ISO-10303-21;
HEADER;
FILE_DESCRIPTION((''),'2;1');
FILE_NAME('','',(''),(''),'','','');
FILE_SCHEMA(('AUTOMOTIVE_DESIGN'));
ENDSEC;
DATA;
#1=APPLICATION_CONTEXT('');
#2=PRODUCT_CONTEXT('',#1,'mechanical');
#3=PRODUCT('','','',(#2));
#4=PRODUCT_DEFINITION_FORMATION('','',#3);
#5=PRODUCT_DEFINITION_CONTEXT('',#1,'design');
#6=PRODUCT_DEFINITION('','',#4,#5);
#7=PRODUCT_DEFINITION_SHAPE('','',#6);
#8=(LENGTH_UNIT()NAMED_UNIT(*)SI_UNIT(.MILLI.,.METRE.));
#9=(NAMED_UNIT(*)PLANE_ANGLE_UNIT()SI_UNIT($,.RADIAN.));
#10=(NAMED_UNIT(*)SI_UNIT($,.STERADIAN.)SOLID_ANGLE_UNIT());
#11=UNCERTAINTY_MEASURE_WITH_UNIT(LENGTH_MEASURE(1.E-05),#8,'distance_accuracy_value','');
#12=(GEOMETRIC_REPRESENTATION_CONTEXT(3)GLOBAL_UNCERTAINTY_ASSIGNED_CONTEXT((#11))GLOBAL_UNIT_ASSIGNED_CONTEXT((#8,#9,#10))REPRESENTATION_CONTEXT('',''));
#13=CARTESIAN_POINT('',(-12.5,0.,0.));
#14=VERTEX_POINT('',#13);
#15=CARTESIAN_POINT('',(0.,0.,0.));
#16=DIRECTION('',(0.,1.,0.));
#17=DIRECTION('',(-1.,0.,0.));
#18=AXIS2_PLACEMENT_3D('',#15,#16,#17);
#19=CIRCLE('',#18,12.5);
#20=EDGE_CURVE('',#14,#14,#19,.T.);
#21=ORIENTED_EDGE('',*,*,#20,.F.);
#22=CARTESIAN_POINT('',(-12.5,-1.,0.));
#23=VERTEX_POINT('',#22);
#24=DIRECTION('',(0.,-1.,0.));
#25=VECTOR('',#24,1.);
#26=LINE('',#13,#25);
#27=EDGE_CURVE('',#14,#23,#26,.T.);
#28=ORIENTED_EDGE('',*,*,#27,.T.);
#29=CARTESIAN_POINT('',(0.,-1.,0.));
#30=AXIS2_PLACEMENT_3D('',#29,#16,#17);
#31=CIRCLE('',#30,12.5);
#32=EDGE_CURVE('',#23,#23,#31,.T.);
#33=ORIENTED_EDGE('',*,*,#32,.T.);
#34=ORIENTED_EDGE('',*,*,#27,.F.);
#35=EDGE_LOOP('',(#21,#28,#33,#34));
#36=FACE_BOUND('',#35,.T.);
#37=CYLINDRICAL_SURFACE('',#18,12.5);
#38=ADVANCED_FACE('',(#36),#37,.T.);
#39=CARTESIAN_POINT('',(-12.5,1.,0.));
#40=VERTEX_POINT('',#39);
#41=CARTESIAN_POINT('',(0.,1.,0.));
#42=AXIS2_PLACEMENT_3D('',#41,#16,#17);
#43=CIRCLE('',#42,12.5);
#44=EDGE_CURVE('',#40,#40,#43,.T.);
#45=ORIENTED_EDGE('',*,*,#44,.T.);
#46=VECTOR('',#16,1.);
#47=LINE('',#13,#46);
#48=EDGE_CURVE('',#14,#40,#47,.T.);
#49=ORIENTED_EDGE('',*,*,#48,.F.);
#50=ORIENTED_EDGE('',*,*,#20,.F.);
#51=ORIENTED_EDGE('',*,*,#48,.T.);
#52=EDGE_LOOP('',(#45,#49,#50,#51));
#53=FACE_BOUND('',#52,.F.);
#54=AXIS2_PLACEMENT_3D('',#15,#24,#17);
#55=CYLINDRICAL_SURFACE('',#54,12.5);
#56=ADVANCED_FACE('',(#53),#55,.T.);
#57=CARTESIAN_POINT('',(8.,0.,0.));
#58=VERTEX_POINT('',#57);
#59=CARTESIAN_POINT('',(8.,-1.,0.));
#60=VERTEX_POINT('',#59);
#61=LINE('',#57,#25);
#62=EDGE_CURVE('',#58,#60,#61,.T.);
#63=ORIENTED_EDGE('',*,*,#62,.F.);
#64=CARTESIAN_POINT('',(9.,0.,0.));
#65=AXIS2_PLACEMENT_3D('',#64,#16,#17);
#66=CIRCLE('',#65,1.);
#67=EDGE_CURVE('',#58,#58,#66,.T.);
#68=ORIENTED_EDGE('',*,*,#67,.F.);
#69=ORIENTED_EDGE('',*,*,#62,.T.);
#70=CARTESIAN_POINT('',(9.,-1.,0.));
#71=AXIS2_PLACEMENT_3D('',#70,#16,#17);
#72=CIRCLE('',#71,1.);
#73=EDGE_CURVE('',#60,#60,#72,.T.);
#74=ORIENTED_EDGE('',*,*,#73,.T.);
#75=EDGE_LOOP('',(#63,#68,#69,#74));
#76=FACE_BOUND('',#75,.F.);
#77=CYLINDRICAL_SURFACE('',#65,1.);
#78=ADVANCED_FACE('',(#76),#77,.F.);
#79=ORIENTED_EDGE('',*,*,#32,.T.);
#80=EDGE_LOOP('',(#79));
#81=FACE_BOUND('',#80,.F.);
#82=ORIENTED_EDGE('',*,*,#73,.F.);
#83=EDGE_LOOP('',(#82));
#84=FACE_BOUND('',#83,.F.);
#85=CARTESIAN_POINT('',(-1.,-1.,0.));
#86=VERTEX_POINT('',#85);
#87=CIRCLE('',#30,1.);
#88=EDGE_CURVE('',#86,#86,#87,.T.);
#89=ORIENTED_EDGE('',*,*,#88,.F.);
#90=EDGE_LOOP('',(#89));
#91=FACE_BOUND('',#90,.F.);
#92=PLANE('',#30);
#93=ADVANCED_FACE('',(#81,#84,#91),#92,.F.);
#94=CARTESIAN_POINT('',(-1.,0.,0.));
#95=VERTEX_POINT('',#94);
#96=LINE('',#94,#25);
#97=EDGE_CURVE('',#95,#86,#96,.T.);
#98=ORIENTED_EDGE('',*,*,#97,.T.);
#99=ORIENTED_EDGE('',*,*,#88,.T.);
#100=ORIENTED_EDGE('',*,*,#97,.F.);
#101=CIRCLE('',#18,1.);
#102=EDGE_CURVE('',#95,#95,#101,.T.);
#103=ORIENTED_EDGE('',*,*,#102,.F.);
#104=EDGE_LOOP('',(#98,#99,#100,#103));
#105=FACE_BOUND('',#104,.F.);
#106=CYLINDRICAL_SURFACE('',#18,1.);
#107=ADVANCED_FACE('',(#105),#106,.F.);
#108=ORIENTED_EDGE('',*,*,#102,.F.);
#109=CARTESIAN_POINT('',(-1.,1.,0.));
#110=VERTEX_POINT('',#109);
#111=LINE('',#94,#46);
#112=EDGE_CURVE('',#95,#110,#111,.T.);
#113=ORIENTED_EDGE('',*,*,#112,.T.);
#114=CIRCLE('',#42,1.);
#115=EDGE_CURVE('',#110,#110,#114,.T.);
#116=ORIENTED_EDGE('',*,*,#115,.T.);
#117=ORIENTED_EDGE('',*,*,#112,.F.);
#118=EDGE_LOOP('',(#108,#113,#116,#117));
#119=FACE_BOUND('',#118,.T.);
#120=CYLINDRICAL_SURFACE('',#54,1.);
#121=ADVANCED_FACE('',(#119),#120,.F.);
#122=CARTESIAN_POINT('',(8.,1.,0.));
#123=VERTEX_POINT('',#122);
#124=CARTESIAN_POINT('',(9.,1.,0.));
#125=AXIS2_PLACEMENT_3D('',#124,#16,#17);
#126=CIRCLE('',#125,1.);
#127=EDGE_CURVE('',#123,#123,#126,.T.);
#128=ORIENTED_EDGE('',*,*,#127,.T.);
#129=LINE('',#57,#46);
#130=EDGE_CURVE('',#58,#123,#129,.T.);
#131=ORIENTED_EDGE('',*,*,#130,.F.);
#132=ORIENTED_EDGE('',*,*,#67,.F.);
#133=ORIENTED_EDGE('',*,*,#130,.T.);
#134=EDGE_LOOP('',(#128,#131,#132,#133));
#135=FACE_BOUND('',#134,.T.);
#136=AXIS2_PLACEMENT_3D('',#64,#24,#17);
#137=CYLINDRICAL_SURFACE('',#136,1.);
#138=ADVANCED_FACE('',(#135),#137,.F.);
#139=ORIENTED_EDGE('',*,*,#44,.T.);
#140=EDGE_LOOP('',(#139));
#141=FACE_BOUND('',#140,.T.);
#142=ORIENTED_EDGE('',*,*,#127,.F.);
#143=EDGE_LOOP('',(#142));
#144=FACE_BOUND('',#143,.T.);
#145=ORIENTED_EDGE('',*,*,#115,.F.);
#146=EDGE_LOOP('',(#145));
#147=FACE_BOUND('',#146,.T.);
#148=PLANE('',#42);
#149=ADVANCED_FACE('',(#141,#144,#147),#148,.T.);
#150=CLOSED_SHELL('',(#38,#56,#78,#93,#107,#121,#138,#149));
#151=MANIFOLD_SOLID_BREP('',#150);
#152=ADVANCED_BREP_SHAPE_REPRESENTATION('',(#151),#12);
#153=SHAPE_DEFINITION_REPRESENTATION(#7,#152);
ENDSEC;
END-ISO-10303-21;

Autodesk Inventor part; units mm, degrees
ref_plane "YZ Plane" through (0, 0, 0) normal (1, 0, 0) x (0, 1, 0)
ref_plane "XZ Plane" through (0, 0, 0) normal (0, 1, 0) x (-1, 0, 0)
ref_plane "XY Plane" through (0, 0, 0) normal (0, 0, 1) x (1, 0, 0)
sketch "Skizze1" plane through (0, 0, 0) normal (0, 1, 0) x (-1, 0, 0)
  circle A0 centre (0, 0) radius 12.5
  circle A1 centre (0, 0) radius 1
  circle A2 centre (-9, 0) radius 1
  dimension "d0" = 25
  dimension "d1" = 2
  dimension "d2" = 2
  dimension "d3" = 9
extrude "Extrusion1" add sketch "Skizze1" along normal mid plane 2
properties part number "Schwingscheibe"
